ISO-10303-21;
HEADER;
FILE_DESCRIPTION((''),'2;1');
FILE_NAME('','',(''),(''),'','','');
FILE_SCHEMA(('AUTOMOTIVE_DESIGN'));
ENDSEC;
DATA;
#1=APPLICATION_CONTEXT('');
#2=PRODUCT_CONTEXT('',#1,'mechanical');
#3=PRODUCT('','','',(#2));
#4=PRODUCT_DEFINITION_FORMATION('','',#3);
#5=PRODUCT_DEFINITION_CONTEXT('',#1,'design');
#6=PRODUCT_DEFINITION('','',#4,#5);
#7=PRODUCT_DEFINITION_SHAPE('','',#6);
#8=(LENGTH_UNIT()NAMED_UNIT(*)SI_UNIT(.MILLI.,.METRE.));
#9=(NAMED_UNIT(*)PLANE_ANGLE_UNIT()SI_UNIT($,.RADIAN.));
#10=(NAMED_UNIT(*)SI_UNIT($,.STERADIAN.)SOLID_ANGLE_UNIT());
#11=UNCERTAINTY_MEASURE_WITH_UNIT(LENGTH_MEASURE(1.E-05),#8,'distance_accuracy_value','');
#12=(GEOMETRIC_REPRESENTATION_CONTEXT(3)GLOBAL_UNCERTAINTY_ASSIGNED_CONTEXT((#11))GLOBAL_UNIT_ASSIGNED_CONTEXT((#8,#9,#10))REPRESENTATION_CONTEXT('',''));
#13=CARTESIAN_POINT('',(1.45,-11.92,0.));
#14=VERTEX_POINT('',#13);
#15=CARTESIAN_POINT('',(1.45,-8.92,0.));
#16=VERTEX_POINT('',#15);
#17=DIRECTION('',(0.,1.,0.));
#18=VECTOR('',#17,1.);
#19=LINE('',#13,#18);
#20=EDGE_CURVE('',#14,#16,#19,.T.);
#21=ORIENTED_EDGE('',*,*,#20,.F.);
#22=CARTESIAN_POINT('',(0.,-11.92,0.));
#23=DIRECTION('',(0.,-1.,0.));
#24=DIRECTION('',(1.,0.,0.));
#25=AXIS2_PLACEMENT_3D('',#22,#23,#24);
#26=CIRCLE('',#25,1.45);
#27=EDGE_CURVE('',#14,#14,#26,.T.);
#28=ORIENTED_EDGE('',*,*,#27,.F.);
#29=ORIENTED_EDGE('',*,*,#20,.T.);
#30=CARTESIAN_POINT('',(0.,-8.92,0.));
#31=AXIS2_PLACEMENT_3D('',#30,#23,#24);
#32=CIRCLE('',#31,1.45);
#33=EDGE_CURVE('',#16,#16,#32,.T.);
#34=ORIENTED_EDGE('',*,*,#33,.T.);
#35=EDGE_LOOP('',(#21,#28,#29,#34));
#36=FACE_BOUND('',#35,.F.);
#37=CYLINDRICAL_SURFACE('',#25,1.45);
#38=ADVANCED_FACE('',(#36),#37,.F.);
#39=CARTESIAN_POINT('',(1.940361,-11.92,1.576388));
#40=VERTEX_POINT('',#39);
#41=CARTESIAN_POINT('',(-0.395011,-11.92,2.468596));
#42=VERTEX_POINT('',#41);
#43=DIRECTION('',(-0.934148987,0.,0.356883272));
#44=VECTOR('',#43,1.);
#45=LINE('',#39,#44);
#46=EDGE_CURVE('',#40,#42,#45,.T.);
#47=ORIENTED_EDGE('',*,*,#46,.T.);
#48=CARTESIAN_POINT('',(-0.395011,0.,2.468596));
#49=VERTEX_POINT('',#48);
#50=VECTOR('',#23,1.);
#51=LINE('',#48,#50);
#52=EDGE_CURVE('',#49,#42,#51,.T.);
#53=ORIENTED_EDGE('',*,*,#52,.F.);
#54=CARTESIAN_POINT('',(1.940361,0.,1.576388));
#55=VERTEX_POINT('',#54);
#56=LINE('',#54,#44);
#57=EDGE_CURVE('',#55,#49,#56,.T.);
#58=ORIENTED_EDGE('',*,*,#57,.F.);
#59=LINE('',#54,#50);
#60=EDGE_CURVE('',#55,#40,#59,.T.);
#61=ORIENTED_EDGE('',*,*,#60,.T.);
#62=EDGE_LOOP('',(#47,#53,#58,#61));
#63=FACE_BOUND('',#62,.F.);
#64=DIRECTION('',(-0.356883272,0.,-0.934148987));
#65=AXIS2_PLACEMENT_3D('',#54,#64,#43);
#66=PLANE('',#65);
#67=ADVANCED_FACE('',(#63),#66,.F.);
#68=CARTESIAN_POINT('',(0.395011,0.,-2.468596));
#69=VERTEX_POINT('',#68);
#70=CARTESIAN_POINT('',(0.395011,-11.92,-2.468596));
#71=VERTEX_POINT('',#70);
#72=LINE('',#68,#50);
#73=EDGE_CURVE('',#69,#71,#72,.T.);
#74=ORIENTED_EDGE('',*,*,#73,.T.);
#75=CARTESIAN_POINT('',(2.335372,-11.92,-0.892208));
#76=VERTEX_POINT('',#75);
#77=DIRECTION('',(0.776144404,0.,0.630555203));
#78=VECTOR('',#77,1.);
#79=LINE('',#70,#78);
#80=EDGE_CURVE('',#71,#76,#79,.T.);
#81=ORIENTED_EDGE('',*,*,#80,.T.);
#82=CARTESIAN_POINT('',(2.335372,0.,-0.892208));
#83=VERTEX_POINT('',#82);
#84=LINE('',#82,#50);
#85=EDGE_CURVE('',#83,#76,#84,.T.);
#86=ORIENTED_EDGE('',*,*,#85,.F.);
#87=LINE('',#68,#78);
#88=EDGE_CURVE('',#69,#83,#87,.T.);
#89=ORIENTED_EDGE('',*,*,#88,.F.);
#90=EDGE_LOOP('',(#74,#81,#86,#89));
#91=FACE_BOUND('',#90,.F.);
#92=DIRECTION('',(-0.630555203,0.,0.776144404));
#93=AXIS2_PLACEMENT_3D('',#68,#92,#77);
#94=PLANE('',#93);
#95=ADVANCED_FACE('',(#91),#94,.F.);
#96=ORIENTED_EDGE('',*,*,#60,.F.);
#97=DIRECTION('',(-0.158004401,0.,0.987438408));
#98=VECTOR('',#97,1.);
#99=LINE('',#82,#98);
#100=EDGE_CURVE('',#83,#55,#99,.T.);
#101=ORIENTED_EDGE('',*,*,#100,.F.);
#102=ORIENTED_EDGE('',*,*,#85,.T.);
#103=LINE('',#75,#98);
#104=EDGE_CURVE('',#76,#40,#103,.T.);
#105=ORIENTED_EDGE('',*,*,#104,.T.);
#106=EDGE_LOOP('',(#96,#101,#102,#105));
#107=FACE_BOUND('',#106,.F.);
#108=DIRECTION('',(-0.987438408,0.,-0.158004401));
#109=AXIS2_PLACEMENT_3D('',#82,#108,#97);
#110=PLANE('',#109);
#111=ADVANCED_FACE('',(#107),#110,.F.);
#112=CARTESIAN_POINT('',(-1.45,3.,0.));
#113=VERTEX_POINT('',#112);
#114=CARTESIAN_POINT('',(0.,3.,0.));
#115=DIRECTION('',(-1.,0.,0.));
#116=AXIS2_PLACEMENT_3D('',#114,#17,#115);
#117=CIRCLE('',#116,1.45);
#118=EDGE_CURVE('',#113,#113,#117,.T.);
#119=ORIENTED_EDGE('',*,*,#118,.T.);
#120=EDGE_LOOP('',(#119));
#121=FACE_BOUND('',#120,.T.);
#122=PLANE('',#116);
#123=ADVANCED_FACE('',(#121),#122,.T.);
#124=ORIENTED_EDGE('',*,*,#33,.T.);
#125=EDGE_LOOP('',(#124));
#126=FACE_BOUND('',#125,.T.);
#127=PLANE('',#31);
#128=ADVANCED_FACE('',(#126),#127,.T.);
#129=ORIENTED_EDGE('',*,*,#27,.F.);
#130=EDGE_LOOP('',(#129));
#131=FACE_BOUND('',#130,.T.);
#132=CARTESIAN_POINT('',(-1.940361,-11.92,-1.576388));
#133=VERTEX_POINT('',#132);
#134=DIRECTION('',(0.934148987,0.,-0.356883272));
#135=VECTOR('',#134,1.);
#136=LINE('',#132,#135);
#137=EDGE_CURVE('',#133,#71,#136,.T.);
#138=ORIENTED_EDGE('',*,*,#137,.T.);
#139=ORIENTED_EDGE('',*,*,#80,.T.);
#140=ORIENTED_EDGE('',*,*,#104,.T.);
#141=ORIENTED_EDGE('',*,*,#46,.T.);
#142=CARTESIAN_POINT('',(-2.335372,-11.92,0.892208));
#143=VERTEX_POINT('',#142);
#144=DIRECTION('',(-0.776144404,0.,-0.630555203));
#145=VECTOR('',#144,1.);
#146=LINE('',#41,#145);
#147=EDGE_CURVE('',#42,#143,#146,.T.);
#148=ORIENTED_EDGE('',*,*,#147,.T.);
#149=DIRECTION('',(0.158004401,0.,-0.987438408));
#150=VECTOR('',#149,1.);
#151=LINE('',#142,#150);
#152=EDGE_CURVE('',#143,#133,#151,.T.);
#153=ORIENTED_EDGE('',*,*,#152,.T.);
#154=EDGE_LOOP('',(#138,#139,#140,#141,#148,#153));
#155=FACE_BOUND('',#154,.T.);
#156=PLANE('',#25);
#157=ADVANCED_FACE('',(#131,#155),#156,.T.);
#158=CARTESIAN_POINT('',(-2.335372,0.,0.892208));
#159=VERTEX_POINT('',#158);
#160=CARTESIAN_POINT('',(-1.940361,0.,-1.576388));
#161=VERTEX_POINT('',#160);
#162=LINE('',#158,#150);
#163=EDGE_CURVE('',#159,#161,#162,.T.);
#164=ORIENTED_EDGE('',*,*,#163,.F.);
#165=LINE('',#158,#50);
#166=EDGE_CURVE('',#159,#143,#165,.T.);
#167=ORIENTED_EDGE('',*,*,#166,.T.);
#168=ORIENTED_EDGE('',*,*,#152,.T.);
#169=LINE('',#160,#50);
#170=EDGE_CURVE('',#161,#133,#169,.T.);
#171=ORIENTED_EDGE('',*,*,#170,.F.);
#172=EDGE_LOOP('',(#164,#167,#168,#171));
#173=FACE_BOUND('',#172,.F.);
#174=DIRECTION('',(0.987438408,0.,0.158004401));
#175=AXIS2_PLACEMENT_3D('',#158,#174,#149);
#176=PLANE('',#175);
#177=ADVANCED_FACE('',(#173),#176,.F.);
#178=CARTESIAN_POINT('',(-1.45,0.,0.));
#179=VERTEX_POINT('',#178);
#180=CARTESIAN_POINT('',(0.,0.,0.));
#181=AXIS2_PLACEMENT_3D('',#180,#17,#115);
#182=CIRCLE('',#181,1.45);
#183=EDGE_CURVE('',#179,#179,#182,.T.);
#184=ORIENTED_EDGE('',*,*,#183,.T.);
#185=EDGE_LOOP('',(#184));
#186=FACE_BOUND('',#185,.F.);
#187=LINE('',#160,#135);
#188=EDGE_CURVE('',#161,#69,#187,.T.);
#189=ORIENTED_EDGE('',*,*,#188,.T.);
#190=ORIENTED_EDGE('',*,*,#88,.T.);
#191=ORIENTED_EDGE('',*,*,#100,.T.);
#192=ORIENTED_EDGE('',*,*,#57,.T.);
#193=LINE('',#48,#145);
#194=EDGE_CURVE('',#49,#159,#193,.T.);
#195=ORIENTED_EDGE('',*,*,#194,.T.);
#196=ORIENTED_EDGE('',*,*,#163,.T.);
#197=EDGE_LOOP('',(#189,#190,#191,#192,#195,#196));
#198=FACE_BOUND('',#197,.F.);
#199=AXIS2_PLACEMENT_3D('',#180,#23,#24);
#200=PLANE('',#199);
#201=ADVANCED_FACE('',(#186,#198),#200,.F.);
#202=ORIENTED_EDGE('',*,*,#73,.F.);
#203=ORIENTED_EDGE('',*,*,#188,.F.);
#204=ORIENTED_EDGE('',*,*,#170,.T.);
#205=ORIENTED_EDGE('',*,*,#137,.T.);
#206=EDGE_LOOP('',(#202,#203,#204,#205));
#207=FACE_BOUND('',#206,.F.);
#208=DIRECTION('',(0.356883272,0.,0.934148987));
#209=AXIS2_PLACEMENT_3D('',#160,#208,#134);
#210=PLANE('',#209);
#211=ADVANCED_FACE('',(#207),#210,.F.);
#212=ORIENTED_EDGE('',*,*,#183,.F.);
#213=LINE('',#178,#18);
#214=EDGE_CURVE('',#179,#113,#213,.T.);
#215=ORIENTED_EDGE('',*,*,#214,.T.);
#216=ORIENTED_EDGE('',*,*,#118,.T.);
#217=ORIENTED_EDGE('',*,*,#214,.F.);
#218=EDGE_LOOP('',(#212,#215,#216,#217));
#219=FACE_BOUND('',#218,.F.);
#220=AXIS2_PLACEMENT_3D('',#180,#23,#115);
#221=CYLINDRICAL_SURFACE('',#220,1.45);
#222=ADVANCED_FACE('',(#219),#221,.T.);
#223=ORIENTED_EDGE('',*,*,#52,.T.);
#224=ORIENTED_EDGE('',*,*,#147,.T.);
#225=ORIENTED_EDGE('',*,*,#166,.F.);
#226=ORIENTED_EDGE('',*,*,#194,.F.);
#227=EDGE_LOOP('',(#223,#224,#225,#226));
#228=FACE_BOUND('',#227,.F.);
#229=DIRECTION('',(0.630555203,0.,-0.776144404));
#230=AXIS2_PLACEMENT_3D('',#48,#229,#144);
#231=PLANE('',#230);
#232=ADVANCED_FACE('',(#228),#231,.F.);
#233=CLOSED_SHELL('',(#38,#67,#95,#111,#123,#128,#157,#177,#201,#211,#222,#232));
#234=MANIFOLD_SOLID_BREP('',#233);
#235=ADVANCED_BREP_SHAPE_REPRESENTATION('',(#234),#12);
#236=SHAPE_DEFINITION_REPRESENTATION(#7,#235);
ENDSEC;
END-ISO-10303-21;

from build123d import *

# Parameters (mm, degrees)
F1_DEPTH = 11.92
F2_R     = 1.45
F3_DEPTH = 3
F4_R     = 1.45
F5_DEPTH = 3


with BuildPart() as f1:
    # F0 (on Front) → F1 (new body)
    with BuildSketch(Plane.XZ):
        Polygon((2.335372, -0.892208), (1.940361, 1.576388), (-0.395011, 2.468596), (-2.335372, 0.892208), (-1.940361, -1.576388), (0.395011, -2.468596), align=None)
    extrude(amount=F1_DEPTH)

    # F2 (on face) → F3 (join)
    with BuildSketch(Plane(origin=(0, 0, 0), x_dir=(-1, 0, 0), z_dir=(0, 1, 0))):
        Circle(F2_R)
    extrude(amount=F3_DEPTH)

    # F4 (on face) → F5 (cut)
    with BuildSketch(Plane.XZ.offset(11.92)):
        Circle(F4_R)
    extrude(amount=-F5_DEPTH, mode=Mode.SUBTRACT)


solid = f1.part
